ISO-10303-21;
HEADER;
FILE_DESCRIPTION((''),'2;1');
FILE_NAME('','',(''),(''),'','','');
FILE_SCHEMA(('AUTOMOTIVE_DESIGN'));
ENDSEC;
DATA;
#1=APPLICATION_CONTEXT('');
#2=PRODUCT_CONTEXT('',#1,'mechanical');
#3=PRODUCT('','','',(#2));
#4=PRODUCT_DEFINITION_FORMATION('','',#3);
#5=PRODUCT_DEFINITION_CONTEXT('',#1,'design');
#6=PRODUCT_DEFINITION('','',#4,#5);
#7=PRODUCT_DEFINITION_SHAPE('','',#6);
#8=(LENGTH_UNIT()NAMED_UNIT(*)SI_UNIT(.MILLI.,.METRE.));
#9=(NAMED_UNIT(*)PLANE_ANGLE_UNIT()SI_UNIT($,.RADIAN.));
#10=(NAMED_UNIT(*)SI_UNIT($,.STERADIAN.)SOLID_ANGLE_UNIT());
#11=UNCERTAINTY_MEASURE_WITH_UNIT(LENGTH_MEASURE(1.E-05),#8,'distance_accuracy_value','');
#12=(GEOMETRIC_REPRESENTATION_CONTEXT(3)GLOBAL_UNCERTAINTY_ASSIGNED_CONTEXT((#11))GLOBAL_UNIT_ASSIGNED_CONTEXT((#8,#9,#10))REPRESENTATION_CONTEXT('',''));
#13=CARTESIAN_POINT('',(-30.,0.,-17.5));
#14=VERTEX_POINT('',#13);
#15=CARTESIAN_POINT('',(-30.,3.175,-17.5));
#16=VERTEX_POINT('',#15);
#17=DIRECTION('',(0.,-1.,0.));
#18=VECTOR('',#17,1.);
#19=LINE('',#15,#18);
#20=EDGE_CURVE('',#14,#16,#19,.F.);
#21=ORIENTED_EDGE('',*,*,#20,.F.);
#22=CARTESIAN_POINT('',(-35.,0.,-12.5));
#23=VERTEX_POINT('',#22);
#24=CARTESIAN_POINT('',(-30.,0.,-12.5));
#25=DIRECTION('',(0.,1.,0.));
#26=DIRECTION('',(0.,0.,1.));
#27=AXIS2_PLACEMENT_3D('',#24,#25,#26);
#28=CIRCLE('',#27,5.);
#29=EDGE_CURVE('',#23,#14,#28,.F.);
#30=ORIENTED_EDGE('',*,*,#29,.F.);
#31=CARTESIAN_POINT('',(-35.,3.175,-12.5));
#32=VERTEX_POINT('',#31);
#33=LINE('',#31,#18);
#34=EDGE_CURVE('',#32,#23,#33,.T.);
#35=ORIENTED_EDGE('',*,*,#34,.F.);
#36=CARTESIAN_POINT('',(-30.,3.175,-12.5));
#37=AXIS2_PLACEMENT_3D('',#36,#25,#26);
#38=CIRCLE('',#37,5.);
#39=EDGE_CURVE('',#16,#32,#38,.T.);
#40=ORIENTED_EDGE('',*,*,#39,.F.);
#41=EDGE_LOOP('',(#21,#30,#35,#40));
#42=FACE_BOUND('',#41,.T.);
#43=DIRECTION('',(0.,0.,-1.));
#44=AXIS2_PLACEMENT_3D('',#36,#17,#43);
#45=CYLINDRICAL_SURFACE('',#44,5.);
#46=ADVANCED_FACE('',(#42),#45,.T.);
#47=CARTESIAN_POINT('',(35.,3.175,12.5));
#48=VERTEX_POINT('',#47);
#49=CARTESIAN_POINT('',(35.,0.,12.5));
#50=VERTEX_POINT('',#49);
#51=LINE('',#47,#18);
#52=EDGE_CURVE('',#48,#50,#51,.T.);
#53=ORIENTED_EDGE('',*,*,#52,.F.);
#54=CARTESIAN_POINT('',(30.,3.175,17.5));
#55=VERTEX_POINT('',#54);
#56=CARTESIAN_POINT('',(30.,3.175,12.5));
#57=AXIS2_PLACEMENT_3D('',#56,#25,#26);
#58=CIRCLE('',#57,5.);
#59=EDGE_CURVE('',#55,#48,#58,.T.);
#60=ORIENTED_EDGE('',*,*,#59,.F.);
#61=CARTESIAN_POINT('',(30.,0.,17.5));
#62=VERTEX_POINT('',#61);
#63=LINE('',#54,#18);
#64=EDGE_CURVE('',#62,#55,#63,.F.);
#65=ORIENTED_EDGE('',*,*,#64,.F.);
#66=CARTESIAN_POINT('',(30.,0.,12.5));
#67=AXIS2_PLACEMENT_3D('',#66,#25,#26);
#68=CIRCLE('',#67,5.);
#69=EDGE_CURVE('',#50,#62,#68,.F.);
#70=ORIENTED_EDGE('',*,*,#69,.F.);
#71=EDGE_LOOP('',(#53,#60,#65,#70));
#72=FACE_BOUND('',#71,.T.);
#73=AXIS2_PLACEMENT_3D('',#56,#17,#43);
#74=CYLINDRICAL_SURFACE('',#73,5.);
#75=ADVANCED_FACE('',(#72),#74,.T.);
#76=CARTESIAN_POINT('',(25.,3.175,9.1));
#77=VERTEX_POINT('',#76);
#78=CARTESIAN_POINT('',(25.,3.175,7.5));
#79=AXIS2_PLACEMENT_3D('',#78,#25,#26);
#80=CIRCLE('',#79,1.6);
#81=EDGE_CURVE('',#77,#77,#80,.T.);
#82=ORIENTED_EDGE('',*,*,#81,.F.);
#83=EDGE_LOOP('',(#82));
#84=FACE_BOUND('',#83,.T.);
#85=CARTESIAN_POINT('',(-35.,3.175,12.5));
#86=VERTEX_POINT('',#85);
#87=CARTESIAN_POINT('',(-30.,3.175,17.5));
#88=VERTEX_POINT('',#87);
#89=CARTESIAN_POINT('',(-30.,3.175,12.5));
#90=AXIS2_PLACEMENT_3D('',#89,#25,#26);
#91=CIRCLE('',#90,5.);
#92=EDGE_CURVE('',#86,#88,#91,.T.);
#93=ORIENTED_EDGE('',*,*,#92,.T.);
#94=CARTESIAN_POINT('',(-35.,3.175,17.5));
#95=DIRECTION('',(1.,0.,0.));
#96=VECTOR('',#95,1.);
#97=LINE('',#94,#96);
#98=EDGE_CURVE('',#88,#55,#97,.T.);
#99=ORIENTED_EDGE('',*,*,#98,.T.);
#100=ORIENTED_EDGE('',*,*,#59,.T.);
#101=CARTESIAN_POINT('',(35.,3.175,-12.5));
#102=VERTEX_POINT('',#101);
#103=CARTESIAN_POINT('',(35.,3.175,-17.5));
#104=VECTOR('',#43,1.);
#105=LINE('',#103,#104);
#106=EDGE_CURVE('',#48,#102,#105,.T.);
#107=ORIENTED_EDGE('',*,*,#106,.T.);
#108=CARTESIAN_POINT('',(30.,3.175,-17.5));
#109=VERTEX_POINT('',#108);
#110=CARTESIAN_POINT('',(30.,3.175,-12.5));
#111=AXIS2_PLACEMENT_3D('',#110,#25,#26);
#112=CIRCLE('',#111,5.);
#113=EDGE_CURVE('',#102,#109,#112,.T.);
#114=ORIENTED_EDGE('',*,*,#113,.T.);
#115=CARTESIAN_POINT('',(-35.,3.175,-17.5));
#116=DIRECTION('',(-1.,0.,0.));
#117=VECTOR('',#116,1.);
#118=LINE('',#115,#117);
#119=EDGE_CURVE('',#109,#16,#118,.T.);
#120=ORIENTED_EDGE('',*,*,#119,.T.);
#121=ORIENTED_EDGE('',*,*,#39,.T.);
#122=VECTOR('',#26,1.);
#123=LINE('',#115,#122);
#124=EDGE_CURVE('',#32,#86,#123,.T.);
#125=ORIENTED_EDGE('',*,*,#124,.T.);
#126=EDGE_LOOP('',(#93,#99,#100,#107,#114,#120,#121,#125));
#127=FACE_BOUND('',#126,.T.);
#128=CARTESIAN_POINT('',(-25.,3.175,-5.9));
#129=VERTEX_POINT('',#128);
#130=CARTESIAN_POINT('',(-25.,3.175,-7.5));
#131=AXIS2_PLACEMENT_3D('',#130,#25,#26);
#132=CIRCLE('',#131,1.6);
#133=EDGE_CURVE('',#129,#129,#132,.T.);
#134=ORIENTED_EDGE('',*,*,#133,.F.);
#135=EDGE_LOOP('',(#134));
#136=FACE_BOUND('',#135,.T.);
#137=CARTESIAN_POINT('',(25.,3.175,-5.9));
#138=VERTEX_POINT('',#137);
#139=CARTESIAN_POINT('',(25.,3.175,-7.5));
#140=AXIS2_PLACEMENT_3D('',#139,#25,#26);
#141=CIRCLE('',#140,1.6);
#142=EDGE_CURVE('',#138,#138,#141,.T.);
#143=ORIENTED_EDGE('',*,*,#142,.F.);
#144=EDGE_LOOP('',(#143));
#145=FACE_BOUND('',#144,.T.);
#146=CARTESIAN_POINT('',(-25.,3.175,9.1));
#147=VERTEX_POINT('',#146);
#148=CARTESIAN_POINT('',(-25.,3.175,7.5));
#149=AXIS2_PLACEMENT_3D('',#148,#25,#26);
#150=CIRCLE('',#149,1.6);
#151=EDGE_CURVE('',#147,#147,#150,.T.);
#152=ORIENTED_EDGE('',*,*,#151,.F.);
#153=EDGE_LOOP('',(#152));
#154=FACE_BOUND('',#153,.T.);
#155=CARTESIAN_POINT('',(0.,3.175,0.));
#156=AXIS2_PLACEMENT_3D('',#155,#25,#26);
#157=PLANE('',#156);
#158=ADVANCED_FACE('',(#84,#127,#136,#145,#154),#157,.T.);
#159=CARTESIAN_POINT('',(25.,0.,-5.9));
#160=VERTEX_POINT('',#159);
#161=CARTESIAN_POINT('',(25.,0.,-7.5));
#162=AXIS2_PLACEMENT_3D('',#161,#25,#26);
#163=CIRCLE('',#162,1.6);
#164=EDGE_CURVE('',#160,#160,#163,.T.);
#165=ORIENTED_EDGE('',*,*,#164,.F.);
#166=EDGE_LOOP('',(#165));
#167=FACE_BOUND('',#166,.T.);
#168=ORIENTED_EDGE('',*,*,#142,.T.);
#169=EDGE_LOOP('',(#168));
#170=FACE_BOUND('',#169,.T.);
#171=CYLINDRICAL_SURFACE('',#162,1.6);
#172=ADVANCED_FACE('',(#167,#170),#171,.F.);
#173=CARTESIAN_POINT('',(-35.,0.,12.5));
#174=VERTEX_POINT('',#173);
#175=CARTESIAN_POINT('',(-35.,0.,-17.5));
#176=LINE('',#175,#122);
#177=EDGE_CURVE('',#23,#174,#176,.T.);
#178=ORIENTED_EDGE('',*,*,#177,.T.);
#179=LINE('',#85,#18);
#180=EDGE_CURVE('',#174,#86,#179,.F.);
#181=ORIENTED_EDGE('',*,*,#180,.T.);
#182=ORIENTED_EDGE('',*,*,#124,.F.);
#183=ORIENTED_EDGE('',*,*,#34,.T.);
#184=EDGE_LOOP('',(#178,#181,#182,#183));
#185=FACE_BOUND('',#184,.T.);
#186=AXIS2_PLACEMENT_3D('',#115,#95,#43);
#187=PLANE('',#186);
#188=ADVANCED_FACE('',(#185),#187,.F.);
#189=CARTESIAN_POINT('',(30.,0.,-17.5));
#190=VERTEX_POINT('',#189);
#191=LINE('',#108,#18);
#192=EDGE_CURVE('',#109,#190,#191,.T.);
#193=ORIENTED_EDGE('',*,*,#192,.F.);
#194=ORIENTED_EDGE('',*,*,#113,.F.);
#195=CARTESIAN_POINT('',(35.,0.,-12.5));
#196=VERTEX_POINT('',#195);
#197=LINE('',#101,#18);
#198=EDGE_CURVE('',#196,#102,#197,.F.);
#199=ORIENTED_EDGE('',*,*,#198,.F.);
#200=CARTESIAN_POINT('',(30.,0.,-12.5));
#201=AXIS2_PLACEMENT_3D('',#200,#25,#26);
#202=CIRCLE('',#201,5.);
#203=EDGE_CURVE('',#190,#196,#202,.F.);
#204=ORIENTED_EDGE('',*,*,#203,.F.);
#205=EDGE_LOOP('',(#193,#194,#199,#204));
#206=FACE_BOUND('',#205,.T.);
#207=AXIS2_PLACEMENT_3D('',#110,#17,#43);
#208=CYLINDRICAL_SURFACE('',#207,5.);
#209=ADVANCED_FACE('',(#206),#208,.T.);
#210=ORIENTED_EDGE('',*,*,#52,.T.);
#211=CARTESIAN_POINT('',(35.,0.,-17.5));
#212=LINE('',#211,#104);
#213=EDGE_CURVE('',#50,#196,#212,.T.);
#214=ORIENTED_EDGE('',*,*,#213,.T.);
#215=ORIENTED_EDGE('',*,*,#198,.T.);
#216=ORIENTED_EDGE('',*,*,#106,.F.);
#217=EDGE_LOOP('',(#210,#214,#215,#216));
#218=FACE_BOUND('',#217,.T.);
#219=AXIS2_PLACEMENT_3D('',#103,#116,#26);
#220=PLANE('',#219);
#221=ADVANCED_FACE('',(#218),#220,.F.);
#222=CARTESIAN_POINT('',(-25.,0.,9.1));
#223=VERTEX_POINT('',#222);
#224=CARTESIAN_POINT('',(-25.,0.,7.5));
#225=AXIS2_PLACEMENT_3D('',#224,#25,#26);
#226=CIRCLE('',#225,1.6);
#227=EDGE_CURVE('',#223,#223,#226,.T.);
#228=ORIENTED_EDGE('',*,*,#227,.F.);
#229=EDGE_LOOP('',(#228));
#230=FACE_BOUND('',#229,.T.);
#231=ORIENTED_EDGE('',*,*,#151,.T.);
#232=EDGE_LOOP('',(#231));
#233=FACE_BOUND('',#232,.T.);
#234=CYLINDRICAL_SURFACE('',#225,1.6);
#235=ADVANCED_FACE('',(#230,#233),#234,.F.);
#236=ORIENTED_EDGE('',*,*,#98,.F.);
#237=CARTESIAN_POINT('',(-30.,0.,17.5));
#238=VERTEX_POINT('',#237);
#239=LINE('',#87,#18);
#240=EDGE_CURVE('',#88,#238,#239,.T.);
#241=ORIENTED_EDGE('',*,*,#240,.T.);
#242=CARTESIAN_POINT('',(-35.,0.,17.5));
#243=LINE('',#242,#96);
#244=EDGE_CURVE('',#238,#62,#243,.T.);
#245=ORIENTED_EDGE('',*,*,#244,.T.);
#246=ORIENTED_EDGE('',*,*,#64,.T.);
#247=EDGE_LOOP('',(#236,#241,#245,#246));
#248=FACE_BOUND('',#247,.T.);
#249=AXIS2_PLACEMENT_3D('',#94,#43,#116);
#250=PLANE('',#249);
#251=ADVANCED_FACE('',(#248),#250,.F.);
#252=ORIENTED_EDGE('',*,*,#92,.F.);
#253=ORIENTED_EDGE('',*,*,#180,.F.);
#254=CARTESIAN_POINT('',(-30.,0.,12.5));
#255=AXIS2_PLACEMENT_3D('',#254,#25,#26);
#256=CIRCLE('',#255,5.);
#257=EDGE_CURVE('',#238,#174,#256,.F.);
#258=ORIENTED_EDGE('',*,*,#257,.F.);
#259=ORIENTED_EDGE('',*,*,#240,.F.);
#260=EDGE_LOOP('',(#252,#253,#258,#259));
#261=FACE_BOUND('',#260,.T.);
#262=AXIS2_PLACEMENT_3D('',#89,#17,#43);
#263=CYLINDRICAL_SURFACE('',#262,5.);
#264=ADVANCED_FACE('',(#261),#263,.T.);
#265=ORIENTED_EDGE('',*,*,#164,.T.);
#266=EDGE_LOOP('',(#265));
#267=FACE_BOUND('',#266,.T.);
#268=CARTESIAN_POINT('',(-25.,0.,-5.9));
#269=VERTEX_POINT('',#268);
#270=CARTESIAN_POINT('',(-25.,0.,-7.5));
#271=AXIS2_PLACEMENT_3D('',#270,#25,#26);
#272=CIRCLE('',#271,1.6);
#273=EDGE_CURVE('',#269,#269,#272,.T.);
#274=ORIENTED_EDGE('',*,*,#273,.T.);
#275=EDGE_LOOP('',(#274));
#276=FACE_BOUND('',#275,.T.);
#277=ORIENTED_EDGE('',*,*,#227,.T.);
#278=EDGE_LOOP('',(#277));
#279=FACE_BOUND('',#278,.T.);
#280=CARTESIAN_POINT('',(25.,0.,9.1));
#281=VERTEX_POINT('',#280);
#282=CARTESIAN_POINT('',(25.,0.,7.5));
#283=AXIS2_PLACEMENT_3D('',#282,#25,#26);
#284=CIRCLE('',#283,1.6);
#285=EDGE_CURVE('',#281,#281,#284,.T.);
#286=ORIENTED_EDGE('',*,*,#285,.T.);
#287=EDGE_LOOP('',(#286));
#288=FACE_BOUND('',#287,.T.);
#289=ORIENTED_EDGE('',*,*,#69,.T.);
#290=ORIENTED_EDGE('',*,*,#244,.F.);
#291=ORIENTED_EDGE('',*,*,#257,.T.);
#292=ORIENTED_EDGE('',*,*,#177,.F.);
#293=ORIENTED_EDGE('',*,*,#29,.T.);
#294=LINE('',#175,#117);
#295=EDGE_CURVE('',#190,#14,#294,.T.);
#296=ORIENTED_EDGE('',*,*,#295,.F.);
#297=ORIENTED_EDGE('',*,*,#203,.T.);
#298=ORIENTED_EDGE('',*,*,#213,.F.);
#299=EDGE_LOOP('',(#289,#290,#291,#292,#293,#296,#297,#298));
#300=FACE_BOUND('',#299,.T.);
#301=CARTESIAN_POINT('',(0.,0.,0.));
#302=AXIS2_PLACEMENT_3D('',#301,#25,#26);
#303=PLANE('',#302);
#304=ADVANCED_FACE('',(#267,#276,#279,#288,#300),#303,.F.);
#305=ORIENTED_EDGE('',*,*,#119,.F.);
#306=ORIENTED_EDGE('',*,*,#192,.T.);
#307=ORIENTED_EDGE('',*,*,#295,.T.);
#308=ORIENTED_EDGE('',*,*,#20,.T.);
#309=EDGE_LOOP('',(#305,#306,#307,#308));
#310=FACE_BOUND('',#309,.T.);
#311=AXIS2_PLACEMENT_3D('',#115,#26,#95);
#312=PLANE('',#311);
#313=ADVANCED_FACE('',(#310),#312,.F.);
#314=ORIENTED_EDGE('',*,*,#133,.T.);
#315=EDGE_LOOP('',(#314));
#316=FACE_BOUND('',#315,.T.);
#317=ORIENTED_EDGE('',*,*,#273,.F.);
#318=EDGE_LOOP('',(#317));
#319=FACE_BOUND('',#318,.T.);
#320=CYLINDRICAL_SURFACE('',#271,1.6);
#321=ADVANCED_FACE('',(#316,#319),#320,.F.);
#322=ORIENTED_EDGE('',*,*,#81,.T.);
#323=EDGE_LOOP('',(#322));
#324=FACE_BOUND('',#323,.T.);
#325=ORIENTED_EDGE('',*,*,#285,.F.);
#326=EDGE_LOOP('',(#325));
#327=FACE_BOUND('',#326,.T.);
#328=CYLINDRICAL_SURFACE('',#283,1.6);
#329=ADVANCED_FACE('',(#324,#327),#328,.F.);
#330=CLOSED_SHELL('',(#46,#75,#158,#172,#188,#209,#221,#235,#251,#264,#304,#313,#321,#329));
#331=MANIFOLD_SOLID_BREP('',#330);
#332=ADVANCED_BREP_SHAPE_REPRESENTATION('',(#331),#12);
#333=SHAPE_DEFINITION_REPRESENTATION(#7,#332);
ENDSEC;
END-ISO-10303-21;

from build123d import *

# Parameters (mm, degrees)
SKETCH1_W           = 70
SKETCH1_H           = 35
BOSS_EXTRUDE1_DEPTH = 3.175
SKETCH2_R           = 1.6
CUT_EXTRUDE1_DEPTH  = 3.175
FILLET1_R           = 5


with BuildPart() as part:
    # Sketch1 → Boss-Extrude1 (new body)
    with BuildSketch(Plane(origin=(0, 0, 0), x_dir=(1, 0, 0), z_dir=(0, 1, 0))):
        Rectangle(SKETCH1_W, SKETCH1_H)
    extrude(amount=BOSS_EXTRUDE1_DEPTH)

    # Sketch2 → Cut-Extrude1 (cut)
    with BuildSketch(Plane(origin=(0, 3.175, 0), x_dir=(1, 0, 0), z_dir=(0, 1, 0))):
        with Locations(Location((-25, 7.5, 0), (0, 0, 270))):
            Circle(SKETCH2_R)
        with Locations(Location((-25, -7.5, 0), (0, 0, 270))):
            Circle(SKETCH2_R)
        with Locations(Location((25, -7.5, 0), (0, 0, 270))):
            Circle(SKETCH2_R)
        with Locations(Location((25, 7.5, 0), (0, 0, 270))):
            Circle(SKETCH2_R)
    extrude(amount=-CUT_EXTRUDE1_DEPTH, mode=Mode.SUBTRACT)

    # Fillet1
    fillet1_edges = [part.edges().sort_by_distance(p)[0] for p in [
        (35, 1.5875, 17.5),
        (-35, 1.5875, 17.5),
        (-35, 1.5875, -17.5),
        (35, 1.5875, -17.5),
    ]]
    fillet(fillet1_edges, radius=FILLET1_R)


solid = part.part
